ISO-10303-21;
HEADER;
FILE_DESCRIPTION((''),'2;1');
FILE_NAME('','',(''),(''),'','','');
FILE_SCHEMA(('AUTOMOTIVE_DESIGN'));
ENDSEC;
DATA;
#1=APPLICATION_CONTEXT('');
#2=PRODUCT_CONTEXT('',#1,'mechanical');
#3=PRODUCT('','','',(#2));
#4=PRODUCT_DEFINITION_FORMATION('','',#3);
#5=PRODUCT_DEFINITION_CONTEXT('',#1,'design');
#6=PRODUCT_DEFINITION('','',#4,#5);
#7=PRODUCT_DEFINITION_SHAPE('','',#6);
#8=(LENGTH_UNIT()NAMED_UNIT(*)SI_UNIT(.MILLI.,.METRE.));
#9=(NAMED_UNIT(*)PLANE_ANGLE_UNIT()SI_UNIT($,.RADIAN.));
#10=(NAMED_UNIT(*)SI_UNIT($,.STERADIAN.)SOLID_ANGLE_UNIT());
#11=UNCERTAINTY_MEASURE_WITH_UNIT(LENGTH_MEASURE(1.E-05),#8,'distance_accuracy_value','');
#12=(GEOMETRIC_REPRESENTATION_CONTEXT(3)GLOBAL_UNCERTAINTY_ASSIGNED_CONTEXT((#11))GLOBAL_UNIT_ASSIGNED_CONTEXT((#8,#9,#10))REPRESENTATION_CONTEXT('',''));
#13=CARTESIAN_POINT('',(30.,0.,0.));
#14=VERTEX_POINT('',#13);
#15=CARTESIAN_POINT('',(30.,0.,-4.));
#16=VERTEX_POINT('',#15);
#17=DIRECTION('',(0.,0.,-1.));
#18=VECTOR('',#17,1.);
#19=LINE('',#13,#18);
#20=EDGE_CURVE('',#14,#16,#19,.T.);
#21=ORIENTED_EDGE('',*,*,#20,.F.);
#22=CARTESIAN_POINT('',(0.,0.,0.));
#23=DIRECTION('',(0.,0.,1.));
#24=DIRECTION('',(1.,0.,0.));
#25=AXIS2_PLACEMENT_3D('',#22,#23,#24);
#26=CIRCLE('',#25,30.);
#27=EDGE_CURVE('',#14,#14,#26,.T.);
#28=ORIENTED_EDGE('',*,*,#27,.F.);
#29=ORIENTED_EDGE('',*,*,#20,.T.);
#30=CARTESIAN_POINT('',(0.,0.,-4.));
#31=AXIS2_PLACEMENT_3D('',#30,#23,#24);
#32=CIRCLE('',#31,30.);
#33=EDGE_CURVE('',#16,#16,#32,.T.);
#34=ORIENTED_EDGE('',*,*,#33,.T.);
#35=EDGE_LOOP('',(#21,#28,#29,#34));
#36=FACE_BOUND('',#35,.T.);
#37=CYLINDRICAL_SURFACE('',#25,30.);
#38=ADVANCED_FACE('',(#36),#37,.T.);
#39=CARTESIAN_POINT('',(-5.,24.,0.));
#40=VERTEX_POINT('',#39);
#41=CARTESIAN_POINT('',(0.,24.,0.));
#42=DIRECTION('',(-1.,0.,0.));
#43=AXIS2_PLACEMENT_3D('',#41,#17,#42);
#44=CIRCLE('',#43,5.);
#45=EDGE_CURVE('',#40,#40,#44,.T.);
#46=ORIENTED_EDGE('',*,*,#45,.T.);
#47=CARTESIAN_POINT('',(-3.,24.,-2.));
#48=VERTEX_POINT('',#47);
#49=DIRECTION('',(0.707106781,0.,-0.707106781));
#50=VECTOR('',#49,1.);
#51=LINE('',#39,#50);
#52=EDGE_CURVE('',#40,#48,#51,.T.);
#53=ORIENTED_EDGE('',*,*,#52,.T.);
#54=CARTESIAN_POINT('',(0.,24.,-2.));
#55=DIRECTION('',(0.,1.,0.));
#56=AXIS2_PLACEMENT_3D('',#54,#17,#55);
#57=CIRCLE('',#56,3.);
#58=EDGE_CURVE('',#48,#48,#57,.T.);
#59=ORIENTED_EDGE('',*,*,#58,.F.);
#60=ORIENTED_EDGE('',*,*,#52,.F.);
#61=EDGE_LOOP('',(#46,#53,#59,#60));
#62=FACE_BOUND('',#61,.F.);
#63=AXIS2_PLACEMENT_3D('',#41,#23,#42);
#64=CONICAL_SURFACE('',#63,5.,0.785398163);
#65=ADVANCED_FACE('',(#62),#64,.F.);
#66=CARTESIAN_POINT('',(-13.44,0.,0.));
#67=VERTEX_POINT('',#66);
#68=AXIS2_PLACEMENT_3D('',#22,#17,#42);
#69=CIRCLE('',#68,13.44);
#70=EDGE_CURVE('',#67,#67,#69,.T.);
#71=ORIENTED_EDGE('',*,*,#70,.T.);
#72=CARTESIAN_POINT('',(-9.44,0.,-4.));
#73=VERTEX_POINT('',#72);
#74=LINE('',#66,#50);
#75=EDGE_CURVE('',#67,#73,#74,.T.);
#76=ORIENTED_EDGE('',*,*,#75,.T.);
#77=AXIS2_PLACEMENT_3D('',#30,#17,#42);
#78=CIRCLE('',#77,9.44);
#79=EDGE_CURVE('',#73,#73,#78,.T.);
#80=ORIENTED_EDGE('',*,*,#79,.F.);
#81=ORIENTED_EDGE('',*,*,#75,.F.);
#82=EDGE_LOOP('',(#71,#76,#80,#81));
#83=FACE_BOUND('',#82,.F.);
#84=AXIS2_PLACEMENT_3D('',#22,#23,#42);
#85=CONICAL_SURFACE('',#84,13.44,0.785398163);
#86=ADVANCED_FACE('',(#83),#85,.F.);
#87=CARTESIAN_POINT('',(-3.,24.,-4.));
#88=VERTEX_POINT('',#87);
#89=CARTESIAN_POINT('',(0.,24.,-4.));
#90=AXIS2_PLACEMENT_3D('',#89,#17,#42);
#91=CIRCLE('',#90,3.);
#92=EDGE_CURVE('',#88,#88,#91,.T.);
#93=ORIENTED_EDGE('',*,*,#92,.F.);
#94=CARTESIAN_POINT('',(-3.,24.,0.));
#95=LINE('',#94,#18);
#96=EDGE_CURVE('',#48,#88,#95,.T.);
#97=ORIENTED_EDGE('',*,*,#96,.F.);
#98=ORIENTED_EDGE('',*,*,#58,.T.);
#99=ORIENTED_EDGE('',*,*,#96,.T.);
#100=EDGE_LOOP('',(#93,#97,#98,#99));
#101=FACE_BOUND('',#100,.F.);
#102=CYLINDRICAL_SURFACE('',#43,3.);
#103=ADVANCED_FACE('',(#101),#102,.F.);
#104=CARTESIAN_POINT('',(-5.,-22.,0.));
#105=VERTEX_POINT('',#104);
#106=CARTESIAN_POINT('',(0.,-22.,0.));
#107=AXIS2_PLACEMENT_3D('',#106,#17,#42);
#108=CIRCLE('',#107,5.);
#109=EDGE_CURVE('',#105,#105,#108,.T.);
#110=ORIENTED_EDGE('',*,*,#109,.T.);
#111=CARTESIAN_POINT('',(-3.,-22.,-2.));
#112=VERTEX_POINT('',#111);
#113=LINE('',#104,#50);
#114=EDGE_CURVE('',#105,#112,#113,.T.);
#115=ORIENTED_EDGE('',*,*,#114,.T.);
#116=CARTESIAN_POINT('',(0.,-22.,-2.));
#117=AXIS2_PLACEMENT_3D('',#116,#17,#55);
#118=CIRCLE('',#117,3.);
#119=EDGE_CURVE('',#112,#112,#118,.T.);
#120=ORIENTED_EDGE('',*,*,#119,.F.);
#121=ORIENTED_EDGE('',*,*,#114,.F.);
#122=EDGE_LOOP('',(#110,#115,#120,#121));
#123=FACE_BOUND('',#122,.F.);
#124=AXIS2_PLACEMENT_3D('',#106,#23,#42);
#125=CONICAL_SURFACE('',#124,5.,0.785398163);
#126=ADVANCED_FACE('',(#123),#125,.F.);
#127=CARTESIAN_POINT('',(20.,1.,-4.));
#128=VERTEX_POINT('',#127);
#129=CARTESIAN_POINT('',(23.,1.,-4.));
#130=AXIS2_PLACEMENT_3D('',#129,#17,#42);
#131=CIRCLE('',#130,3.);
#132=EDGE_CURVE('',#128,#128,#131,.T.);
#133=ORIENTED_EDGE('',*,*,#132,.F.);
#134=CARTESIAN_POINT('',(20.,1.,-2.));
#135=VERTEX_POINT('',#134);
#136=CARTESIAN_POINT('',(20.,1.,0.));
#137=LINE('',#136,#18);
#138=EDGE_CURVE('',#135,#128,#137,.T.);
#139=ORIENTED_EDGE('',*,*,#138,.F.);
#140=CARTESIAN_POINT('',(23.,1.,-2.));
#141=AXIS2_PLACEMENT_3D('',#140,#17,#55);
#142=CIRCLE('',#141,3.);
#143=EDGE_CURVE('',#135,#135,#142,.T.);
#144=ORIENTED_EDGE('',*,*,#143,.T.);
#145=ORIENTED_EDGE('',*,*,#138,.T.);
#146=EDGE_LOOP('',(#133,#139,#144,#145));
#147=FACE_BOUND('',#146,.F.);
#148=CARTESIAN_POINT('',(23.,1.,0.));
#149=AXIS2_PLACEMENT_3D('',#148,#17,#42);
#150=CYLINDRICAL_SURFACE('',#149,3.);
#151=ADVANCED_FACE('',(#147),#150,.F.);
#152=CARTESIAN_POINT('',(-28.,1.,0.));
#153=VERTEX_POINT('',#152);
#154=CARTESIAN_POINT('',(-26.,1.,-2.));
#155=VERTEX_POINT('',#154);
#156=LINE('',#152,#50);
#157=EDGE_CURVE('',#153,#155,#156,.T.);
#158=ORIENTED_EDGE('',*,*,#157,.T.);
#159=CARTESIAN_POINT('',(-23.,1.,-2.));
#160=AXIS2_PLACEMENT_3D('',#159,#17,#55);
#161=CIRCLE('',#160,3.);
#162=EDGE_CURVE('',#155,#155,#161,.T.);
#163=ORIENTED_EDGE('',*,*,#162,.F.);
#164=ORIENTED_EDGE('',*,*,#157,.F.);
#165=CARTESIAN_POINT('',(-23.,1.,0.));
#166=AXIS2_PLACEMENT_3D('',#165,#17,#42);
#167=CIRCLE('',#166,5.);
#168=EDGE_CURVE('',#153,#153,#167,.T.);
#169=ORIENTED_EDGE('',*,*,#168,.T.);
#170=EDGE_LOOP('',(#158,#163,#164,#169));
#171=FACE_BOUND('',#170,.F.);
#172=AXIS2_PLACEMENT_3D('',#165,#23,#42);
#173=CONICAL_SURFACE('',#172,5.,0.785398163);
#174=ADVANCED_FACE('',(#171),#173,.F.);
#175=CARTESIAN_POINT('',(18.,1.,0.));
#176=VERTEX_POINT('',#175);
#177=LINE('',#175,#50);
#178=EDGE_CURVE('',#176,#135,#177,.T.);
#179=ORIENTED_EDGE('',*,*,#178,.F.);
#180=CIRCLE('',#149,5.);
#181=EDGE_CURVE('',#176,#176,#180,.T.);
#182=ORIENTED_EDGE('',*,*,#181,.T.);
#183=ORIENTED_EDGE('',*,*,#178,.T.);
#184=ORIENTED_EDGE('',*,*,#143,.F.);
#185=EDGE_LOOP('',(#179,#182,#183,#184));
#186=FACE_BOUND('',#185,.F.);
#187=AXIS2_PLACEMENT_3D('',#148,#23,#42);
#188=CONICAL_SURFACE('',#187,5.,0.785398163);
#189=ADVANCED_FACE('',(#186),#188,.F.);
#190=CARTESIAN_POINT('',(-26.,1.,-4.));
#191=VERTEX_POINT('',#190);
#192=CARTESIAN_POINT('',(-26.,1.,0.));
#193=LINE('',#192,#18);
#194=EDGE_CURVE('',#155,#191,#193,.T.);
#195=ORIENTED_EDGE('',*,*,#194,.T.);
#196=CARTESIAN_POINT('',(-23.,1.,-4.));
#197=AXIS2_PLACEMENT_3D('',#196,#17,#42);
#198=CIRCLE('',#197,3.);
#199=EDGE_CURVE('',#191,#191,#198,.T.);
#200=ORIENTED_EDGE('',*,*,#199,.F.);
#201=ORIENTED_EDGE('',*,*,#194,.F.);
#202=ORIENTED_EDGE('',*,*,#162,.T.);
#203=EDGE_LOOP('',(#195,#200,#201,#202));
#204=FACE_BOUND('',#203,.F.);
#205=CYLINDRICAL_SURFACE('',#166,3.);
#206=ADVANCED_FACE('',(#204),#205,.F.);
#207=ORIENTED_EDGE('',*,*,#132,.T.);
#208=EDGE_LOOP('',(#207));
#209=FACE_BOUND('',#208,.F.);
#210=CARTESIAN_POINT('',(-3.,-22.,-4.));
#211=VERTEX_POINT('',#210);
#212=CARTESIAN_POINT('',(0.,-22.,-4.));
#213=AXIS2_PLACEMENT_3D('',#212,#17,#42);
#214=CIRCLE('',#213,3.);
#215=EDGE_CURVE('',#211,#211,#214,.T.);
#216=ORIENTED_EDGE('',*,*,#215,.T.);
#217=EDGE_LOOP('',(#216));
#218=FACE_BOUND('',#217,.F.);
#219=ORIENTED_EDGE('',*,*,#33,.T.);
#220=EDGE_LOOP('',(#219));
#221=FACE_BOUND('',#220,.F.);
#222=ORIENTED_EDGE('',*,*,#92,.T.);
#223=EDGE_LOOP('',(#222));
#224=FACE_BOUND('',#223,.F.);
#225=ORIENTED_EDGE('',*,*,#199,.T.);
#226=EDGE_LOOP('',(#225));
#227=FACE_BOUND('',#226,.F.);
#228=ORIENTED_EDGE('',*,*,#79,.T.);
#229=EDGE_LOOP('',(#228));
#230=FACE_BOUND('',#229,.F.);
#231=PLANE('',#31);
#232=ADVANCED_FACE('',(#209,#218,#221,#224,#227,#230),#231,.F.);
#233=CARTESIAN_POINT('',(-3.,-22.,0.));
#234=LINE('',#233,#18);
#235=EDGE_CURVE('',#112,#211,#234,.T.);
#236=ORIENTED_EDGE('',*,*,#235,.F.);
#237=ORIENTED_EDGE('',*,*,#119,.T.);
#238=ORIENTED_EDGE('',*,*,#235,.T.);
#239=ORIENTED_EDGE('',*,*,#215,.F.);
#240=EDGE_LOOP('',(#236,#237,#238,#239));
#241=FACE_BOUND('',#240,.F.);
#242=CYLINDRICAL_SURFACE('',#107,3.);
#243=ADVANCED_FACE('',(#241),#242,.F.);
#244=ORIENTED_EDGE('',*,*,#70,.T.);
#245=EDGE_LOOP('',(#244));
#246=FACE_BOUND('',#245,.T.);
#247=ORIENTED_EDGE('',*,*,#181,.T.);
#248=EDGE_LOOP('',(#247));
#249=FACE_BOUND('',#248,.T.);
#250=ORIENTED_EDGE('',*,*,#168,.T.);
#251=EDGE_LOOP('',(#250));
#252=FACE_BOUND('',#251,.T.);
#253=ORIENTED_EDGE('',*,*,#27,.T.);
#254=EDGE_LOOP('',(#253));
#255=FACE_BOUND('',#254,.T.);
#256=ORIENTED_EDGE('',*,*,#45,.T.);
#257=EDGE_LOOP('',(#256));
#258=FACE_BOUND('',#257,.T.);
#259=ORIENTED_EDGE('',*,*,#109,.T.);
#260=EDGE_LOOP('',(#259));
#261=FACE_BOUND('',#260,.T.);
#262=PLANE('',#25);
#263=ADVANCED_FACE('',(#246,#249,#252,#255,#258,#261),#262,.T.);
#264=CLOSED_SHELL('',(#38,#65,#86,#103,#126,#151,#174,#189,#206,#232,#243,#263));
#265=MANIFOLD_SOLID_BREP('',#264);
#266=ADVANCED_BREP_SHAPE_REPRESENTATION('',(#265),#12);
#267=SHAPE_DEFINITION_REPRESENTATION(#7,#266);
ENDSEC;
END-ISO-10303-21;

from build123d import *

# Parameters (mm, degrees)
F0_R           = 30
F1_DEPTH       = 4
F3_D           = 13.2
F3_DEPTH       = 12
F3_CSINK_D     = 26.88
F3_CSINK_ANGLE = 90
F3_TIP         = 3.9656800856
F5_D           = 6
F5_DEPTH       = 12
F5_CSINK_D     = 10
F5_CSINK_ANGLE = 90
F5_TIP         = 1.8025818571


with BuildPart() as f1:
    # F0 (on Top) → F1 (new body)
    with BuildSketch(Plane.XY):
        Circle(F0_R)
    extrude(amount=-F1_DEPTH)

    # F3
    with Locations(Plane.XY):
        with Locations((0, 0)):
            CounterSinkHole(F3_D / 2, F3_CSINK_D / 2, depth=F3_DEPTH, counter_sink_angle=F3_CSINK_ANGLE)
            with Locations((0, 0, -(F3_DEPTH + F3_TIP / 2))):  # 118° drill point
                Cone(0, F3_D / 2, F3_TIP, mode=Mode.SUBTRACT)

    # F5
    with Locations(Plane.XY):
        with Locations((-23, 1), (0, 24), (23, 1), (0, -22)):
            CounterSinkHole(F5_D / 2, F5_CSINK_D / 2, depth=F5_DEPTH, counter_sink_angle=F5_CSINK_ANGLE)
            with Locations((0, 0, -(F5_DEPTH + F5_TIP / 2))):  # 118° drill point
                Cone(0, F5_D / 2, F5_TIP, mode=Mode.SUBTRACT)


solid = f1.part
